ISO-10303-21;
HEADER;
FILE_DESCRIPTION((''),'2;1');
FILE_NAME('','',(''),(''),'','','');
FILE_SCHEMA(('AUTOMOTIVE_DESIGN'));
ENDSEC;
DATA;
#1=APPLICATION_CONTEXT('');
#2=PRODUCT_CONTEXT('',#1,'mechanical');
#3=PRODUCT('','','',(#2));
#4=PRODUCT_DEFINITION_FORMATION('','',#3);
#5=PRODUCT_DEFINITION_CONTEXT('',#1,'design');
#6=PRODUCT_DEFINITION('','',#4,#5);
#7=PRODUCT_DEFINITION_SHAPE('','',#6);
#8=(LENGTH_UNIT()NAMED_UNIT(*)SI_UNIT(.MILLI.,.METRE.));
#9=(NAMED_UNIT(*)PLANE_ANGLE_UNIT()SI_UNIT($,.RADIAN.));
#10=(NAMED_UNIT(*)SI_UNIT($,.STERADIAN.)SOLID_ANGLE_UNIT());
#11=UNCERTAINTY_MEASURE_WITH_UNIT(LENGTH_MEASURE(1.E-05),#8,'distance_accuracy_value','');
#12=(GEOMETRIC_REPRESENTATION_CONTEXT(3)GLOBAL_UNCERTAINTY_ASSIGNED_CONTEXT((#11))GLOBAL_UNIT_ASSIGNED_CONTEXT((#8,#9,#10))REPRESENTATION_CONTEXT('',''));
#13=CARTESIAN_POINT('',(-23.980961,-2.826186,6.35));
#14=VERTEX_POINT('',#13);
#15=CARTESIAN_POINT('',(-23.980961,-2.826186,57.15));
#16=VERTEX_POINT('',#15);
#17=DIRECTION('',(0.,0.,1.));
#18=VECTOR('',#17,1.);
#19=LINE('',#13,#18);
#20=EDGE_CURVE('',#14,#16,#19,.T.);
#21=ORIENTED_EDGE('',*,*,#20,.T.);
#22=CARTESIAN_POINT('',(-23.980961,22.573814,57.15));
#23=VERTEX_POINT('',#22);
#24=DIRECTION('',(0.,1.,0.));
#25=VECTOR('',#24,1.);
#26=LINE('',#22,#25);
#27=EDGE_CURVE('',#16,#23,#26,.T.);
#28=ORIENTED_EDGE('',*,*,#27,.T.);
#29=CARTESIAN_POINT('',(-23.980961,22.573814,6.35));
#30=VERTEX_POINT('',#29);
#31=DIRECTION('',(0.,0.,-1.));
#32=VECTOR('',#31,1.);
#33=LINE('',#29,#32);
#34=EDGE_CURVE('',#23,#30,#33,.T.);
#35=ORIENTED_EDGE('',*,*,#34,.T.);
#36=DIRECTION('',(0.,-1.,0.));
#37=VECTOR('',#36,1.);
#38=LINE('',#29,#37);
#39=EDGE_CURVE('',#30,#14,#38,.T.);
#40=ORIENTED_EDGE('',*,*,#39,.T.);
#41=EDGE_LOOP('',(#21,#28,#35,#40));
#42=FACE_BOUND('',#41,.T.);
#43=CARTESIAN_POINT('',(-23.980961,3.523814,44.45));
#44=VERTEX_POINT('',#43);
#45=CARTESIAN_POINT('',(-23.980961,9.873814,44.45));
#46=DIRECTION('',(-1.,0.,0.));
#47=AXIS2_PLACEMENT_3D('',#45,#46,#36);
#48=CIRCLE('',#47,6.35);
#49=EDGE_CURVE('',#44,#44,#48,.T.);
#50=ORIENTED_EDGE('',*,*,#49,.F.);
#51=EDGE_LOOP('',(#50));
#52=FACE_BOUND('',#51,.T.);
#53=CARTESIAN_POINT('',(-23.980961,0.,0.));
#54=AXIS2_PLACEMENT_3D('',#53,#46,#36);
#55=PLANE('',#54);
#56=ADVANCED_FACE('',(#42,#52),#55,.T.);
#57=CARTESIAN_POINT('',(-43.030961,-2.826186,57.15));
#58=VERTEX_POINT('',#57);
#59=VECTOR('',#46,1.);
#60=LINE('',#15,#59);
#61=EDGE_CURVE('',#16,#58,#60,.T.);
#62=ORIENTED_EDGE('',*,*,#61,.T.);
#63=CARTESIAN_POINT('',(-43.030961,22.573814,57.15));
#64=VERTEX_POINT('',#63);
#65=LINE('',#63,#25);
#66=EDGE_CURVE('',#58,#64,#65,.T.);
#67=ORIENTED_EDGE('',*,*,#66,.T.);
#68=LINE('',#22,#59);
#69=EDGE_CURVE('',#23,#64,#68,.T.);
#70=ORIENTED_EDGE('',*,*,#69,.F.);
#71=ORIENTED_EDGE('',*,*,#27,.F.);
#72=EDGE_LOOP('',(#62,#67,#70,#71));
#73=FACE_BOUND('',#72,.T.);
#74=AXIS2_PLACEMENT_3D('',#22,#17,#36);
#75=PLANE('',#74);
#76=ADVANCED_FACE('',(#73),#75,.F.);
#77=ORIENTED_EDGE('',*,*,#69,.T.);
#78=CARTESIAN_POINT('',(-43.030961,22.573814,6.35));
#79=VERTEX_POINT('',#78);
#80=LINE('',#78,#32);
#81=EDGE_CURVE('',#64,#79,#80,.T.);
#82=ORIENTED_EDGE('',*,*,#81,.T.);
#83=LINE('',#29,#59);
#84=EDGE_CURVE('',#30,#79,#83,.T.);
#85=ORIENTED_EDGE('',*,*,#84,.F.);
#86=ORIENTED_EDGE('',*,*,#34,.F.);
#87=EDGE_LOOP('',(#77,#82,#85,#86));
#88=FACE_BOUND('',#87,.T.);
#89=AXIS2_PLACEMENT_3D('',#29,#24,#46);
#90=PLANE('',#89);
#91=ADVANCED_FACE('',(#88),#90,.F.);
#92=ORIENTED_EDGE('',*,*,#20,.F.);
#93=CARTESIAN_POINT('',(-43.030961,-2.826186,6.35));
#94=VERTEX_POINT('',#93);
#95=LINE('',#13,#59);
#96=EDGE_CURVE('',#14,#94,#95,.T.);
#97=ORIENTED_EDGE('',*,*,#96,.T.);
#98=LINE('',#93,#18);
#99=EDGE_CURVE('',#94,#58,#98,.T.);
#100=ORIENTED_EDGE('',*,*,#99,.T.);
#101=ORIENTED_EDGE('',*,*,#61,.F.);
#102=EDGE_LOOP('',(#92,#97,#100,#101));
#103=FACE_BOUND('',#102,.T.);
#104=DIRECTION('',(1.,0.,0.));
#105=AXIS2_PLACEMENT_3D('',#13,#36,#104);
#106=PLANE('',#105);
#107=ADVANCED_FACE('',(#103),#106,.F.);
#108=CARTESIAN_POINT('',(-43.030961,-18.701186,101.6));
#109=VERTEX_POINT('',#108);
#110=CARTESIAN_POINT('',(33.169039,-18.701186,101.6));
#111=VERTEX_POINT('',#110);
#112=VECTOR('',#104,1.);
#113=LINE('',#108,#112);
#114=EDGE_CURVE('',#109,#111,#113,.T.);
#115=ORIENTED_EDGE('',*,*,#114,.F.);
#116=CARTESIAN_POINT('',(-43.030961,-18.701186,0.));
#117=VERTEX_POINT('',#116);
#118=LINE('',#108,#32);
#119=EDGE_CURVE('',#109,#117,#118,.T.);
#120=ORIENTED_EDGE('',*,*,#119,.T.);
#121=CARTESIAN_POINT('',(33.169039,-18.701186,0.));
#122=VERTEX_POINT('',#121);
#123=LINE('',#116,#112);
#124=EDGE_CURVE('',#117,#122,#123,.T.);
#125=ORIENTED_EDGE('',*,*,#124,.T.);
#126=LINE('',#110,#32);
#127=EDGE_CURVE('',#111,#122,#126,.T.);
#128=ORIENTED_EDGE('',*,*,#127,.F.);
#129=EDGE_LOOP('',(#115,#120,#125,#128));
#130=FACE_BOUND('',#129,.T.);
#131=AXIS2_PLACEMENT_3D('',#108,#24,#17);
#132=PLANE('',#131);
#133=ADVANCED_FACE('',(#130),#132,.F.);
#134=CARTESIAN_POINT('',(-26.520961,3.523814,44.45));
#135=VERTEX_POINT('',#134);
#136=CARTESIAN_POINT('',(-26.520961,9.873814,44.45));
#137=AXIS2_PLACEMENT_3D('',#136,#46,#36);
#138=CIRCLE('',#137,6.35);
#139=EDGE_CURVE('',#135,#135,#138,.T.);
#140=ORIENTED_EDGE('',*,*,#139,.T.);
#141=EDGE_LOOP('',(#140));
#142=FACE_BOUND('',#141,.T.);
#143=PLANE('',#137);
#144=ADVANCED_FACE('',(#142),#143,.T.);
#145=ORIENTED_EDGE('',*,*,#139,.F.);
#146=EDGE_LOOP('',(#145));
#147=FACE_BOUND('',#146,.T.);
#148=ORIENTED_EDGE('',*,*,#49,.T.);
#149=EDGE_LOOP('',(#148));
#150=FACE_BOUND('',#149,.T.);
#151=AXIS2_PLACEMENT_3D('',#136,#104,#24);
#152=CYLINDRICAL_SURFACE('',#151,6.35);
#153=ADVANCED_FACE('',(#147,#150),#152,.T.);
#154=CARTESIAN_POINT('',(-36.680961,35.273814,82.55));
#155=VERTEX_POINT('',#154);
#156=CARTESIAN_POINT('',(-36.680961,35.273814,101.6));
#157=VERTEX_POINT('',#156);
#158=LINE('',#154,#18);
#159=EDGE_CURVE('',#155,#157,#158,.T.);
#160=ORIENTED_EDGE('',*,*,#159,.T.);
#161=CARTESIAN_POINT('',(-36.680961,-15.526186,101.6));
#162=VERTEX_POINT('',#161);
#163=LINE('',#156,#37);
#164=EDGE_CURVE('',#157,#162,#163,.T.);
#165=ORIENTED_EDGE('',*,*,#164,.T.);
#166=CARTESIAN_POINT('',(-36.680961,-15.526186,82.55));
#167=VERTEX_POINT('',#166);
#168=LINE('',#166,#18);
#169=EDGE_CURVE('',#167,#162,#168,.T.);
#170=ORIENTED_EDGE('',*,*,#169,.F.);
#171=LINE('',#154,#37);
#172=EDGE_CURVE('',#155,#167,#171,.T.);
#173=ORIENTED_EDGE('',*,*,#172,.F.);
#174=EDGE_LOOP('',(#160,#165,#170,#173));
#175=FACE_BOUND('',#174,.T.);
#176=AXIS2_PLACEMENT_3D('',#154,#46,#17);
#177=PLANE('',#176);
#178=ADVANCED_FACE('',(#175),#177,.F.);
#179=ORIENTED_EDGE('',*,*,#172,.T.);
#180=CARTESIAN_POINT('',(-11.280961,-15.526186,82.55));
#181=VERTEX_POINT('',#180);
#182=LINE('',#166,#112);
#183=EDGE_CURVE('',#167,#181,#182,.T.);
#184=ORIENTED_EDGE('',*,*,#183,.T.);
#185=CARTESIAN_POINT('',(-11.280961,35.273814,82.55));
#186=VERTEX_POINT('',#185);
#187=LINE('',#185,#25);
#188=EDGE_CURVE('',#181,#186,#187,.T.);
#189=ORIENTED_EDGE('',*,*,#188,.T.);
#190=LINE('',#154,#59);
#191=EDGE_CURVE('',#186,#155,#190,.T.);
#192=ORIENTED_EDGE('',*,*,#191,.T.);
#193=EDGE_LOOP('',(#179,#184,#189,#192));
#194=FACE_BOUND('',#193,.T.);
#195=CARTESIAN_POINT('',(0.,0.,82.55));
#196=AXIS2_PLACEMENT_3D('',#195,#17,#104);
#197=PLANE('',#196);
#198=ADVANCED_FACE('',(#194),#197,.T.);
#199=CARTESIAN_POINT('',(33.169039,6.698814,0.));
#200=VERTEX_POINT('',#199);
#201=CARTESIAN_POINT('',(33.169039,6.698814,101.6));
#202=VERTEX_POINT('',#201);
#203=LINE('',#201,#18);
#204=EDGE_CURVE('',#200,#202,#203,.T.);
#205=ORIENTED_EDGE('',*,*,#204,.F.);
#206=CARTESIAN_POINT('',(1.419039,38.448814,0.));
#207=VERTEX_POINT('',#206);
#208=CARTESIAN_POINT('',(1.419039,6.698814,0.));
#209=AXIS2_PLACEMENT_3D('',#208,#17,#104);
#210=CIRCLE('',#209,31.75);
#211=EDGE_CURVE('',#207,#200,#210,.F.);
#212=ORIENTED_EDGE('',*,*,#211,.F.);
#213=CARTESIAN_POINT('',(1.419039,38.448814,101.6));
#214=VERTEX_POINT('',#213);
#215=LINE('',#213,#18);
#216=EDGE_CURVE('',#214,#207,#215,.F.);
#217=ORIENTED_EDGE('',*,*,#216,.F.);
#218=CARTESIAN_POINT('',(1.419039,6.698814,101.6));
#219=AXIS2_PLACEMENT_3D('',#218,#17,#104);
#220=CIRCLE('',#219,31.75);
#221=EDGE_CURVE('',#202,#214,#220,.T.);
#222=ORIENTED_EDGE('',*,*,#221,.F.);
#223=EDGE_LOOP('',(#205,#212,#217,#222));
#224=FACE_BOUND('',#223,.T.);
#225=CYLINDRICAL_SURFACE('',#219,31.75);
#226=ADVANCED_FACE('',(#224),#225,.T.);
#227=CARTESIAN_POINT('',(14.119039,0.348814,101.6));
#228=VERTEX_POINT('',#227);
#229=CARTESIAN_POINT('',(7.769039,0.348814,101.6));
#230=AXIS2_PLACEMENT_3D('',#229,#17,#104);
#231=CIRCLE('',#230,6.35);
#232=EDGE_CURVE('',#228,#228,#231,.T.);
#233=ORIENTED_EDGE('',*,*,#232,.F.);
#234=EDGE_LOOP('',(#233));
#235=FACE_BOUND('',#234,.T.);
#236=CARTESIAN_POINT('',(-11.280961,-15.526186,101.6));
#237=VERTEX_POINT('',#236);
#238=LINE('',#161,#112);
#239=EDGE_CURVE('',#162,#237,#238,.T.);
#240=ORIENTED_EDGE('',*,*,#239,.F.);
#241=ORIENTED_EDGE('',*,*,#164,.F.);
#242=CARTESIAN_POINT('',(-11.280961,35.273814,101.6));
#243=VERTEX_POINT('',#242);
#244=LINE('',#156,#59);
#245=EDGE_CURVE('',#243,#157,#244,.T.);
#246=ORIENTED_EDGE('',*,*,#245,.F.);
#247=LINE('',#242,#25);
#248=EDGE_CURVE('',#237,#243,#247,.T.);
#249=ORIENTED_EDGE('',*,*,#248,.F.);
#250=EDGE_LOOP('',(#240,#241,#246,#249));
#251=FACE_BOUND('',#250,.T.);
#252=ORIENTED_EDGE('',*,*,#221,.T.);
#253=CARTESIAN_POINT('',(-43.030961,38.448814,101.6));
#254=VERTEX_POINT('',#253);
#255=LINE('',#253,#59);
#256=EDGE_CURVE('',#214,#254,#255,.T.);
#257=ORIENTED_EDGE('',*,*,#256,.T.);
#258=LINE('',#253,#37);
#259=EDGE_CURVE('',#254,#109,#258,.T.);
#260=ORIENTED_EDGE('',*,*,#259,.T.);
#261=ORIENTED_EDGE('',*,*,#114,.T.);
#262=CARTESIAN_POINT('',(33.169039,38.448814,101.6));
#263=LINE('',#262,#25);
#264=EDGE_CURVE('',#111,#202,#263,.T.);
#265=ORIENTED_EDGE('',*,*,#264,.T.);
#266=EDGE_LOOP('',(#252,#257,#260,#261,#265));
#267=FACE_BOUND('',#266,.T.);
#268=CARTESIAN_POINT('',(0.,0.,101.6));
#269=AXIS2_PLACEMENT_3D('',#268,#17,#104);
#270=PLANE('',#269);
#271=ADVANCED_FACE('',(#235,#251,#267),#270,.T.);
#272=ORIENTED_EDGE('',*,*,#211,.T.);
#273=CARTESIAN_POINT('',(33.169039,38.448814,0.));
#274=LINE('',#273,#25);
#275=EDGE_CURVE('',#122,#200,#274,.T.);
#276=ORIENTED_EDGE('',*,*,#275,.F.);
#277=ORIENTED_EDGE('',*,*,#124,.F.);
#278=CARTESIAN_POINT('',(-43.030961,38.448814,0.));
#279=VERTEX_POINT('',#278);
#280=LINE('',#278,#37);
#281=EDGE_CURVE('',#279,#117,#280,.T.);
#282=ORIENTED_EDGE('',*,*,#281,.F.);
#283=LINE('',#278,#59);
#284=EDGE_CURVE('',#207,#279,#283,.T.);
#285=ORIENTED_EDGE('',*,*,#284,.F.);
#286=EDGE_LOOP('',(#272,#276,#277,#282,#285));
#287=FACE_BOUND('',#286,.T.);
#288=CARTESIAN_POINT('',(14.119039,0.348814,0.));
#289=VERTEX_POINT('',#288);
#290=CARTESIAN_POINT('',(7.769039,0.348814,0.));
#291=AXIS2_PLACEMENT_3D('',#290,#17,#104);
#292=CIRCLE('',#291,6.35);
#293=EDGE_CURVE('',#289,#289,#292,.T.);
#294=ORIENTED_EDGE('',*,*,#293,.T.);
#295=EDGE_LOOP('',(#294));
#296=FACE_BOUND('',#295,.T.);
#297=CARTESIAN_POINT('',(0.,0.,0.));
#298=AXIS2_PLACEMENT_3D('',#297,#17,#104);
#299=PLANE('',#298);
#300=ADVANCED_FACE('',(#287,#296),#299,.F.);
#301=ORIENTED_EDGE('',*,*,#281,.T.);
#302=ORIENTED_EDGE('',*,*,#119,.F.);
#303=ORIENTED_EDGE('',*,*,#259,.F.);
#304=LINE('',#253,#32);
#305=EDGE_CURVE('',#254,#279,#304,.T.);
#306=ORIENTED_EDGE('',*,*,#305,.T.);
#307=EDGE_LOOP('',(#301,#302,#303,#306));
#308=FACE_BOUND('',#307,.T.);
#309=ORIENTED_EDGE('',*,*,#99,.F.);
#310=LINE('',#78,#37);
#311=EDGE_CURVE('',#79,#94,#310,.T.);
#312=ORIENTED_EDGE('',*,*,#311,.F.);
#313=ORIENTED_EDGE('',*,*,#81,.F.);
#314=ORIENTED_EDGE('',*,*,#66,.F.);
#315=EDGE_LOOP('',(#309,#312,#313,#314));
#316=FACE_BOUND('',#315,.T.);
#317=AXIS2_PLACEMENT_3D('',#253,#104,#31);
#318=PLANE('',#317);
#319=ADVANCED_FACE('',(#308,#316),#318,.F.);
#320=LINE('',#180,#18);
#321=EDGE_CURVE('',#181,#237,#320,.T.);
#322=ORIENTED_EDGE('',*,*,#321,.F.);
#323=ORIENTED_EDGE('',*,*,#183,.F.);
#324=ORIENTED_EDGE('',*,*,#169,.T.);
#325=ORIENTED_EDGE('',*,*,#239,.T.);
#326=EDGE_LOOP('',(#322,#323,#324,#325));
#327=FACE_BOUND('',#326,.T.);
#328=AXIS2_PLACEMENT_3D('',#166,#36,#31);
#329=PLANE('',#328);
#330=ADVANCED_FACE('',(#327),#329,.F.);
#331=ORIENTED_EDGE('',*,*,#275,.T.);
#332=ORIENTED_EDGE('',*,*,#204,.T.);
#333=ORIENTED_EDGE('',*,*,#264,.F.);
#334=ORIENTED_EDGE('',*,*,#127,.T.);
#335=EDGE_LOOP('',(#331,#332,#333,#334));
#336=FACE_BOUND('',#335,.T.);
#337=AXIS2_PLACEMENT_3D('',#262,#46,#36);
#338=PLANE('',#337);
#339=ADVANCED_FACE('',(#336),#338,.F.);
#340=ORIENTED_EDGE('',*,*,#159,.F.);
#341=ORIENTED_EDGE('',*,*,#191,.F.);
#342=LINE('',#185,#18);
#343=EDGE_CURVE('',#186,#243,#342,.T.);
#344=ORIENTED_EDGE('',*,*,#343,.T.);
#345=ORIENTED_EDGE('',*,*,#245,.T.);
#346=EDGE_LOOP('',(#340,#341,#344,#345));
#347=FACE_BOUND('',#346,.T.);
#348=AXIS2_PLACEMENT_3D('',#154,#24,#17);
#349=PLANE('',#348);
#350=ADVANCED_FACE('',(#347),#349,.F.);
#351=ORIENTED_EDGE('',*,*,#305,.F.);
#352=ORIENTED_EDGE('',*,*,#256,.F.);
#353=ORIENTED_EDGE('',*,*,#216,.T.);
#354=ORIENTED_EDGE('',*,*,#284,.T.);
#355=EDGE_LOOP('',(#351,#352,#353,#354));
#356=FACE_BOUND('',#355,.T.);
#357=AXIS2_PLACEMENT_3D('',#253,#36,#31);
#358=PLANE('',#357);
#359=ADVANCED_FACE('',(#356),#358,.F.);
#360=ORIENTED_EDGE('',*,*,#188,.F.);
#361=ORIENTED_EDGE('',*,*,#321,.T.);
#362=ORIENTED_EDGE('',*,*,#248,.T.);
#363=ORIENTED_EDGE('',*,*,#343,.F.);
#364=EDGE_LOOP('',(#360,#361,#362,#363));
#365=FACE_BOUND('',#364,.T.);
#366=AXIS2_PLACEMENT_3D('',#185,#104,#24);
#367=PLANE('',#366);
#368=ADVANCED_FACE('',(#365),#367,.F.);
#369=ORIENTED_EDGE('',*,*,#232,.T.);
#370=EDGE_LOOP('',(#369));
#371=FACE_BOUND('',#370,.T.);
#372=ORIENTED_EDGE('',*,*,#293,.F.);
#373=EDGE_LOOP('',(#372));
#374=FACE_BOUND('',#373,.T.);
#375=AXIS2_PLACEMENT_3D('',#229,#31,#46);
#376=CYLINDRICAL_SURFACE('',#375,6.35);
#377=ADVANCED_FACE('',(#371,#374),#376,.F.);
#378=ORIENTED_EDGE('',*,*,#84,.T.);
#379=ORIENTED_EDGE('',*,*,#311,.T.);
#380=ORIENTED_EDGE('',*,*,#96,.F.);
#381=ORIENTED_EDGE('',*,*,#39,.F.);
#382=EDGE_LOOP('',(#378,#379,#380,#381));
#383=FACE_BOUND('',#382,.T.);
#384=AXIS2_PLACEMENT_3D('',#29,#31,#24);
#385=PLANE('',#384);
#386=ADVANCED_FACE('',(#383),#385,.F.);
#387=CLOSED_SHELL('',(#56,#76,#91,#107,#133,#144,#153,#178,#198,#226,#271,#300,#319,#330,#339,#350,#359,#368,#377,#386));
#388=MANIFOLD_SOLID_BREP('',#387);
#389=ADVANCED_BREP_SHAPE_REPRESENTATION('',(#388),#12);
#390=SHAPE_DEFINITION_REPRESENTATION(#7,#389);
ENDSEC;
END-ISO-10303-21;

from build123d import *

# Parameters (mm, degrees)
SKETCH1_W           = 76.2
SKETCH1_H           = 57.15
SKETCH1_R           = 6.35
BOSS_EXTRUDE1_DEPTH = 101.6
SKETCH2_W           = 50.8
SKETCH2_H           = 25.4
CUT_EXTRUDE1_DEPTH  = 19.05
SKETCH3_W           = 25.4
SKETCH3_H           = 50.8
CUT_EXTRUDE2_DEPTH  = 19.05
SKETCH4_R           = 6.35
BOSS_EXTRUDE2_DEPTH = 2.54
FILLET1_R           = 31.75


with BuildPart() as part:
    # Sketch1 → Boss-Extrude1 (new body)
    with BuildSketch(Plane.XY):
        with Locations((-4.930961298, 9.873813983)):
            Rectangle(SKETCH1_W, SKETCH1_H)
        with Locations((7.769038702, 0.348813983)):
            Circle(SKETCH1_R, mode=Mode.SUBTRACT)
    extrude(amount=BOSS_EXTRUDE1_DEPTH)

    # Sketch2 → Cut-Extrude1 (cut)
    with BuildSketch(Plane.ZY.offset(43.030961298)):
        with Locations((31.75, 9.873813983)):
            Rectangle(SKETCH2_W, SKETCH2_H)
    extrude(amount=-CUT_EXTRUDE1_DEPTH, mode=Mode.SUBTRACT)

    # Sketch3 → Cut-Extrude2 (cut)
    with BuildSketch(Plane.XY.offset(101.6)):
        with Locations((-23.980961298, 9.873813983)):
            Rectangle(SKETCH3_W, SKETCH3_H)
    extrude(amount=-CUT_EXTRUDE2_DEPTH, mode=Mode.SUBTRACT)

    # Sketch4 → Boss-Extrude2 (add)
    with BuildSketch(Plane.ZY.offset(23.980961298)):
        with Locations(Location((44.45, 9.873813983, 0), (0, 0, 270))):
            Circle(SKETCH4_R)
    extrude(amount=BOSS_EXTRUDE2_DEPTH)

    # Fillet1
    fillet1_edges = [part.edges().sort_by_distance(p)[0] for p in [
        (33.169038702, 38.448813983, 50.8),
    ]]
    fillet(fillet1_edges, radius=FILLET1_R)


solid = part.part
